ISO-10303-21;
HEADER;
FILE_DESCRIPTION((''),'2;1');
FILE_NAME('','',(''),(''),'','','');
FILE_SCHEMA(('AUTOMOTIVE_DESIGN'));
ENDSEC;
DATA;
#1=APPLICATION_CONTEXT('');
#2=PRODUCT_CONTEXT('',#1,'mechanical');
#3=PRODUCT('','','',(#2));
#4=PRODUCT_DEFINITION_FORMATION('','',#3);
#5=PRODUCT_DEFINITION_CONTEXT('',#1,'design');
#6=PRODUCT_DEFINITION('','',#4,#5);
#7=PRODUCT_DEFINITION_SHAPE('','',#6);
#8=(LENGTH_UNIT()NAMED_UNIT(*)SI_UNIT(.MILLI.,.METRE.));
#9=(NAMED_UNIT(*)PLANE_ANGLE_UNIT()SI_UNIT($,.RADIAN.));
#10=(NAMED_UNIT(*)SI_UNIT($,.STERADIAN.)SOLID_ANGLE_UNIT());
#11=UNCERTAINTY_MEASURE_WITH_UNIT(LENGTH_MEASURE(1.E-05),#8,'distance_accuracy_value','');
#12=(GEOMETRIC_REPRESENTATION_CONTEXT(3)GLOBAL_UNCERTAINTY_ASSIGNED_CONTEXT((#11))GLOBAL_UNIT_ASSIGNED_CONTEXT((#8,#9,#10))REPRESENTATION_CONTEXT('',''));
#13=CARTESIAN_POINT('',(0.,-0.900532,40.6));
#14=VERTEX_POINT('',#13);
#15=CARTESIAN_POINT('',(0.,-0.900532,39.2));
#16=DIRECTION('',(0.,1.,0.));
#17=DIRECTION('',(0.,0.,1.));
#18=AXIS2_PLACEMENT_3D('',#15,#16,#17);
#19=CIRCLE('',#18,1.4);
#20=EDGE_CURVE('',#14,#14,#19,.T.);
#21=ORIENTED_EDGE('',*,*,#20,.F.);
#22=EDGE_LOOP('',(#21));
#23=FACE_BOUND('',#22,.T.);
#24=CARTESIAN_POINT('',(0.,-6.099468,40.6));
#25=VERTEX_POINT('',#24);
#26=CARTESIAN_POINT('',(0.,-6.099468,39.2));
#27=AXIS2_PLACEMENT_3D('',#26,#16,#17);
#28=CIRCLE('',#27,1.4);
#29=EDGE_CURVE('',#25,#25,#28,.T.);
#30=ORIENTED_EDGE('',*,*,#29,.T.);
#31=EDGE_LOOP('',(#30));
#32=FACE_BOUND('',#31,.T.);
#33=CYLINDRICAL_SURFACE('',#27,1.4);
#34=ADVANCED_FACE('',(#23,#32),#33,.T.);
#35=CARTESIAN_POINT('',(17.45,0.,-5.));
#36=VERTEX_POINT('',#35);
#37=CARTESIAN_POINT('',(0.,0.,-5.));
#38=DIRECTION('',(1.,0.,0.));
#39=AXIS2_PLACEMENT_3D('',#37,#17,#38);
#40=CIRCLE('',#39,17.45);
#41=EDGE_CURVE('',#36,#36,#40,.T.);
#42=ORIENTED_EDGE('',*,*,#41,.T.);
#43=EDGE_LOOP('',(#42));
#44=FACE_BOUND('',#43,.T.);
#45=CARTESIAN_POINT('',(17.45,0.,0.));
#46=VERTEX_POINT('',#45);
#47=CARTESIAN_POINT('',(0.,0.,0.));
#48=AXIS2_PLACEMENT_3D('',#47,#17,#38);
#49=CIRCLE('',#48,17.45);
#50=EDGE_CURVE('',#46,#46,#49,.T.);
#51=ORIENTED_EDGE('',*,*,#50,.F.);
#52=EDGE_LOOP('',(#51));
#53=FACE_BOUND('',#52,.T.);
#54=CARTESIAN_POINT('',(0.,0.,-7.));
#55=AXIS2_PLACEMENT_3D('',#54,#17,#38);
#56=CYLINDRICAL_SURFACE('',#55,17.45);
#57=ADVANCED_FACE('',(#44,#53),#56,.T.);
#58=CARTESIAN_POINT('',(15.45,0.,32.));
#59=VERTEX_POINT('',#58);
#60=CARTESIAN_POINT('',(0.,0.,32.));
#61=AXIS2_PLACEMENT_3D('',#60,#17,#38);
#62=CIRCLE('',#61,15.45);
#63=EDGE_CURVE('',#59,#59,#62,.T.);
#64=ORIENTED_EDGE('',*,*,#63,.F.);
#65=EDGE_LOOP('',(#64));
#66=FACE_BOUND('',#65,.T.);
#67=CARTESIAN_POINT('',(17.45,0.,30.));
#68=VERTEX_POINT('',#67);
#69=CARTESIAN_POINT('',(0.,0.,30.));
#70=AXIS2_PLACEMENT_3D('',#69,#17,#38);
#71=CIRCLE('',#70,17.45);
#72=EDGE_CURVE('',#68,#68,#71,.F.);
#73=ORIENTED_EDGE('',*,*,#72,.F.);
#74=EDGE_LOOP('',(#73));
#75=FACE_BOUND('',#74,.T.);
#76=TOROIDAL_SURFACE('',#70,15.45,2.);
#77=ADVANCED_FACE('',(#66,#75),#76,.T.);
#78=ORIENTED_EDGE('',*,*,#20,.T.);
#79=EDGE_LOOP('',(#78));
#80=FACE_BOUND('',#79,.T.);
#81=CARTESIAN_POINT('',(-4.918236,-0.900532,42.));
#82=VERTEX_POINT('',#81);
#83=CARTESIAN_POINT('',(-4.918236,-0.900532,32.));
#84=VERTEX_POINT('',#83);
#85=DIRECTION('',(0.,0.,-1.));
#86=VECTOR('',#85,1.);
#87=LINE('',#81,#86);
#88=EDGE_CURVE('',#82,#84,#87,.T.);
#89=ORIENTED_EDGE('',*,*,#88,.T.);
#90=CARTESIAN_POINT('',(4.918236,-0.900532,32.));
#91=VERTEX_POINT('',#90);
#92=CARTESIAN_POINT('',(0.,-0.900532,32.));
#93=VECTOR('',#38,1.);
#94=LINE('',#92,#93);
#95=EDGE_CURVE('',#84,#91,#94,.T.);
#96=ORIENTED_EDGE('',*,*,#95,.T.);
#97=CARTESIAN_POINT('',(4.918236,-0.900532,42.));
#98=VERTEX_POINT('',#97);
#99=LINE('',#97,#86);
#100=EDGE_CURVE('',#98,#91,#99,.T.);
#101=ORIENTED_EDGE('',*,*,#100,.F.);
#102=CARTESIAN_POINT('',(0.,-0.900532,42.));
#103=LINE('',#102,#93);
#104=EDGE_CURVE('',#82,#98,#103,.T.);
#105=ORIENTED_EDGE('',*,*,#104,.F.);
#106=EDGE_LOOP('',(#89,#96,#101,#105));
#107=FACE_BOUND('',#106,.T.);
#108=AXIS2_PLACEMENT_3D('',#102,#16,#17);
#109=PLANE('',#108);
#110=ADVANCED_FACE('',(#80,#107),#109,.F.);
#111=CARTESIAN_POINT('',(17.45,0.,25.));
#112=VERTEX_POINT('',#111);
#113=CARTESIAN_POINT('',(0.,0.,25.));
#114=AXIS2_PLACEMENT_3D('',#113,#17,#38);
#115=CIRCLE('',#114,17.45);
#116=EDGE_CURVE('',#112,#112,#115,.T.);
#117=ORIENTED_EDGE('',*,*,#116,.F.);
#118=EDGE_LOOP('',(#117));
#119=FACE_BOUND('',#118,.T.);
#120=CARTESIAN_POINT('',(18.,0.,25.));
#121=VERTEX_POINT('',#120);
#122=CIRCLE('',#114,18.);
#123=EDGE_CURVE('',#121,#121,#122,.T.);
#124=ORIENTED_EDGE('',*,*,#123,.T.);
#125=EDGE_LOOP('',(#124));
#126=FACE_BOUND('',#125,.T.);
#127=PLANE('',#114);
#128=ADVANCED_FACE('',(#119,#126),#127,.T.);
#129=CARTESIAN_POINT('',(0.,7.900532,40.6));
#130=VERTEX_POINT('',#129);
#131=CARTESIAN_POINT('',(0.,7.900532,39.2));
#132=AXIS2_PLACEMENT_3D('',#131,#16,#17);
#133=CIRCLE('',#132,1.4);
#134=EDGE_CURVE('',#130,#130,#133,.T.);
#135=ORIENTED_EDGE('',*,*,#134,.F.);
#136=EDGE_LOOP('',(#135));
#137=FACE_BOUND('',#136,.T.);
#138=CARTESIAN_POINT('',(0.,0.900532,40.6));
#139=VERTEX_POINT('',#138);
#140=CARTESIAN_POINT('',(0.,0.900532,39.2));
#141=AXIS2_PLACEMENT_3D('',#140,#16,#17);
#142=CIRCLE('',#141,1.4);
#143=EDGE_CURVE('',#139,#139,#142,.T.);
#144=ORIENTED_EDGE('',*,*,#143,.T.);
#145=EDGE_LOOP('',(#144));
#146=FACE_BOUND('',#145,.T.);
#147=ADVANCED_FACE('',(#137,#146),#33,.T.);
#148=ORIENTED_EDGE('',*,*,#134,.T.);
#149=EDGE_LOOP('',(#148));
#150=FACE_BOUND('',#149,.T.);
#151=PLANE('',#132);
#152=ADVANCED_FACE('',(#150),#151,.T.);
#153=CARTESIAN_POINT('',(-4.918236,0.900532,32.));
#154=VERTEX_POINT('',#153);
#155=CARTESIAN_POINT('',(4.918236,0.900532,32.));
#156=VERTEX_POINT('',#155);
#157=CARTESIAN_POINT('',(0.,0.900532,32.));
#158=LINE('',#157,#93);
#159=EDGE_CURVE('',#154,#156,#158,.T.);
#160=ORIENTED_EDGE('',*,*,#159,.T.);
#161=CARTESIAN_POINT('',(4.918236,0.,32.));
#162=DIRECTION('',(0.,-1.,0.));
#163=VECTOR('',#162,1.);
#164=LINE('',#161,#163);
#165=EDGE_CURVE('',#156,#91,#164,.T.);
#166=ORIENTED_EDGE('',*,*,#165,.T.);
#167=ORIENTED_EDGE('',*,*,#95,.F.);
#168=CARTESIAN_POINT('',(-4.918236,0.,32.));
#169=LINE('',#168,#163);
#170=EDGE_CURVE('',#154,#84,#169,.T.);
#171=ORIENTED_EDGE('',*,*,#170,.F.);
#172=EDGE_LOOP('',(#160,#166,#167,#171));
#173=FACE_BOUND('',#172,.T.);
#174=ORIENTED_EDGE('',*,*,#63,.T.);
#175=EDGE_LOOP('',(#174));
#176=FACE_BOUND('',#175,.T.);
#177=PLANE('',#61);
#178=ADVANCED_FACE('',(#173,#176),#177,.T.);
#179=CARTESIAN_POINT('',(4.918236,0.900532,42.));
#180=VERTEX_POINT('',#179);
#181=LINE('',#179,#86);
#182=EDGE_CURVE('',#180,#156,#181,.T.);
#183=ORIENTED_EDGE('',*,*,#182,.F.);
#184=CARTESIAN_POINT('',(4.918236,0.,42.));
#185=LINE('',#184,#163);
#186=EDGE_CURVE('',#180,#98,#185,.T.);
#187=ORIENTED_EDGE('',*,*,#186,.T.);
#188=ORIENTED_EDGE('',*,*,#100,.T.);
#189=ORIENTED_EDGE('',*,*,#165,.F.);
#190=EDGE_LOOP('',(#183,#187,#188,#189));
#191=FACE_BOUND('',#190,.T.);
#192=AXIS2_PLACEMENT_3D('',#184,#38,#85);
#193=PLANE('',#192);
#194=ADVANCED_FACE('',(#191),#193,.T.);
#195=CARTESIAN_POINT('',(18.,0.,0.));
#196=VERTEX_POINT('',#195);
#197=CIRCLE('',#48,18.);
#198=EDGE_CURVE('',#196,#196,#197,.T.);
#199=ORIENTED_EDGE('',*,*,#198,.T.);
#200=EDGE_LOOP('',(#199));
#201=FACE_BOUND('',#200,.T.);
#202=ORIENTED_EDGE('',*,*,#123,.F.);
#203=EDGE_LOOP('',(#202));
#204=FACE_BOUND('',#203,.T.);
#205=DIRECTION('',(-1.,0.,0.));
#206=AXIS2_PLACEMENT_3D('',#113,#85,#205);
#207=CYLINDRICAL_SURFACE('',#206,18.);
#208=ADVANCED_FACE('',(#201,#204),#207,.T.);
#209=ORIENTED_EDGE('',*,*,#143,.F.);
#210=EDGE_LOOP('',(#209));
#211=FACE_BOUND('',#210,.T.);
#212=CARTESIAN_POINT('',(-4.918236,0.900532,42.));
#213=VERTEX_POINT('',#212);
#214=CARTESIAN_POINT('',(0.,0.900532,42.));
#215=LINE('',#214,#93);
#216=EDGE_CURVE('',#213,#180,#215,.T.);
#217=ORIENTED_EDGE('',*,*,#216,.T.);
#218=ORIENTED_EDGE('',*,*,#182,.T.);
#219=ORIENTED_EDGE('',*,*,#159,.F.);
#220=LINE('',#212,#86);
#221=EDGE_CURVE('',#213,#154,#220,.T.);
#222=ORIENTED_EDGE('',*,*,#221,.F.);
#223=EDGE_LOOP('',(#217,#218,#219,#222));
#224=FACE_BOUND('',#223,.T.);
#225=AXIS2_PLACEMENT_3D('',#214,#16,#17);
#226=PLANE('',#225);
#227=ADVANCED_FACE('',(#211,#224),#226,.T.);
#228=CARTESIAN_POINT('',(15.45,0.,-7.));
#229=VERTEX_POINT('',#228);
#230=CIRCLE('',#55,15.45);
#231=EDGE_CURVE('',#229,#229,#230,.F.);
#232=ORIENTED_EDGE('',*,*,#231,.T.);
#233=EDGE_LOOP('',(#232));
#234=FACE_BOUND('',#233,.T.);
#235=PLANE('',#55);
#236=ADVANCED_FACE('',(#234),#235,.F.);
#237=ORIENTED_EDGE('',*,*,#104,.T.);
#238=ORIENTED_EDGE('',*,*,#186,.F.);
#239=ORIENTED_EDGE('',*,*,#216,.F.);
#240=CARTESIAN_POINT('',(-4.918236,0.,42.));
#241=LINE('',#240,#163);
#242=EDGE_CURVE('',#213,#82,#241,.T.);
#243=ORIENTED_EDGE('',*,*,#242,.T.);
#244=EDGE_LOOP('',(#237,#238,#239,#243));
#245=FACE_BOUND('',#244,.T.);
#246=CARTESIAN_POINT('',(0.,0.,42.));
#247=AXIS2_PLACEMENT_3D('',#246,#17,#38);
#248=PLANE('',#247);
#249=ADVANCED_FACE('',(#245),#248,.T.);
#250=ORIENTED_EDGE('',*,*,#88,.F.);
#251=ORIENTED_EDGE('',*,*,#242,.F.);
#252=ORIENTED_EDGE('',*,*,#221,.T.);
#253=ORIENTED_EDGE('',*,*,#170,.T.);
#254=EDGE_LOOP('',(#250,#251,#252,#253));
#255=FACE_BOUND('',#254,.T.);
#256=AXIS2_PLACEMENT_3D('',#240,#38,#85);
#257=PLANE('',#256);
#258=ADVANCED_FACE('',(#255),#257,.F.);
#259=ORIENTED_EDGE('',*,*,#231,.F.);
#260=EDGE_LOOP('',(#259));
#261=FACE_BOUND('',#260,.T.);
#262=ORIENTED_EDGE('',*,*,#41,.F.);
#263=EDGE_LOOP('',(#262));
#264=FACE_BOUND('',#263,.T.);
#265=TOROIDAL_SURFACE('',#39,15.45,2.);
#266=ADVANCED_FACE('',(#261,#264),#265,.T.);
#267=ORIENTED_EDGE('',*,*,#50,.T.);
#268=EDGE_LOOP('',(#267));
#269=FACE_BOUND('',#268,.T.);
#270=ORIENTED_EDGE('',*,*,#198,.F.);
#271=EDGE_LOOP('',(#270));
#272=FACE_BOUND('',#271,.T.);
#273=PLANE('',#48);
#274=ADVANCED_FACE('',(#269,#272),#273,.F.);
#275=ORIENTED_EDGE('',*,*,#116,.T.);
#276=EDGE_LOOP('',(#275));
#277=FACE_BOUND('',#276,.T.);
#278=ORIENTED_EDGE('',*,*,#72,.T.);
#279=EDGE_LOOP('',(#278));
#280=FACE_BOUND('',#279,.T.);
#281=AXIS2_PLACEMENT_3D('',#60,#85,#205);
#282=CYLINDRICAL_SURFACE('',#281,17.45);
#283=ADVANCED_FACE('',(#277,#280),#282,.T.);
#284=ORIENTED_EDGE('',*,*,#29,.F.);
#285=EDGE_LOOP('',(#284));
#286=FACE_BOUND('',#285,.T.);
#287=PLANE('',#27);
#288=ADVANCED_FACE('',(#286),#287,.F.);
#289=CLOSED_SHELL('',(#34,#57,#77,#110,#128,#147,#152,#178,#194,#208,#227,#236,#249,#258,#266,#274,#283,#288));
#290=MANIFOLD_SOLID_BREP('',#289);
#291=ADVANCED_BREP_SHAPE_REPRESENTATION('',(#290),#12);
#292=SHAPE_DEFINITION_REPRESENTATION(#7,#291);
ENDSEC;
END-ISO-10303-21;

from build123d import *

# Parameters (mm, degrees)
SKETCH1_R                = 18
BOSS_EXTRUDE3_DEPTH      = 25
SKETCH2_R                = 17.45
BOSS_EXTRUDE4_DEPTH      = 7
BOSS_EXTRUDE5_START      = -32
SKETCH2_2_R              = 17.45
BOSS_EXTRUDE5_DEPTH      = 7
FILLET1_R                = 2
FILLET2_R                = 2
SKETCH7_W                = 9.836471502
SKETCH7_H                = 1.801063134
BOSS_EXTRUDE7_DEPTH      = 10
BOSS_EXTRUDE9_DEPTH      = 7
BOSS_EXTRUDE9_DEPTH_BACK = 7
SKETCH8_R                = 1.4


with BuildPart() as part:
    # Sketch1 → Boss-Extrude3 (new body)
    with BuildSketch(Plane.XY):
        Circle(SKETCH1_R)
    extrude(amount=BOSS_EXTRUDE3_DEPTH)

    # Sketch2 → Boss-Extrude4 (add)
    with BuildSketch(Plane.XY.offset(25)):
        Circle(SKETCH2_R)
    extrude(amount=BOSS_EXTRUDE4_DEPTH)

    # Sketch2<2> → Boss-Extrude5 (add)
    with BuildSketch(Plane.XY.offset(25).offset(BOSS_EXTRUDE5_START)):
        Circle(SKETCH2_2_R)
    extrude(amount=BOSS_EXTRUDE5_DEPTH)

    # Fillet1
    fillet1_edges = [part.edges().sort_by_distance(p)[0] for p in [
        (-17.45, 0, 32),
    ]]
    fillet(fillet1_edges, radius=FILLET1_R)

    # Fillet2
    fillet2_edges = [part.edges().sort_by_distance(p)[0] for p in [
        (-17.45, 0, -7),
    ]]
    fillet(fillet2_edges, radius=FILLET2_R)

    # Sketch7 → Boss-Extrude7 (add)
    with BuildSketch(Plane.XY.offset(32)):
        Rectangle(SKETCH7_W, SKETCH7_H)
    extrude(amount=BOSS_EXTRUDE7_DEPTH)

    # Sketch8 → Boss-Extrude9 (add, two sides: drawn at the far end of the back side and taken through both)
    with BuildSketch(Plane(origin=(0, 0.900531567, 0), x_dir=(1, 0, 0), z_dir=(0, 1, 0)).offset(-BOSS_EXTRUDE9_DEPTH_BACK)):
        with Locations((0, -39.2)):
            Circle(SKETCH8_R)
    extrude(amount=BOSS_EXTRUDE9_DEPTH + BOSS_EXTRUDE9_DEPTH_BACK)


solid = part.part
